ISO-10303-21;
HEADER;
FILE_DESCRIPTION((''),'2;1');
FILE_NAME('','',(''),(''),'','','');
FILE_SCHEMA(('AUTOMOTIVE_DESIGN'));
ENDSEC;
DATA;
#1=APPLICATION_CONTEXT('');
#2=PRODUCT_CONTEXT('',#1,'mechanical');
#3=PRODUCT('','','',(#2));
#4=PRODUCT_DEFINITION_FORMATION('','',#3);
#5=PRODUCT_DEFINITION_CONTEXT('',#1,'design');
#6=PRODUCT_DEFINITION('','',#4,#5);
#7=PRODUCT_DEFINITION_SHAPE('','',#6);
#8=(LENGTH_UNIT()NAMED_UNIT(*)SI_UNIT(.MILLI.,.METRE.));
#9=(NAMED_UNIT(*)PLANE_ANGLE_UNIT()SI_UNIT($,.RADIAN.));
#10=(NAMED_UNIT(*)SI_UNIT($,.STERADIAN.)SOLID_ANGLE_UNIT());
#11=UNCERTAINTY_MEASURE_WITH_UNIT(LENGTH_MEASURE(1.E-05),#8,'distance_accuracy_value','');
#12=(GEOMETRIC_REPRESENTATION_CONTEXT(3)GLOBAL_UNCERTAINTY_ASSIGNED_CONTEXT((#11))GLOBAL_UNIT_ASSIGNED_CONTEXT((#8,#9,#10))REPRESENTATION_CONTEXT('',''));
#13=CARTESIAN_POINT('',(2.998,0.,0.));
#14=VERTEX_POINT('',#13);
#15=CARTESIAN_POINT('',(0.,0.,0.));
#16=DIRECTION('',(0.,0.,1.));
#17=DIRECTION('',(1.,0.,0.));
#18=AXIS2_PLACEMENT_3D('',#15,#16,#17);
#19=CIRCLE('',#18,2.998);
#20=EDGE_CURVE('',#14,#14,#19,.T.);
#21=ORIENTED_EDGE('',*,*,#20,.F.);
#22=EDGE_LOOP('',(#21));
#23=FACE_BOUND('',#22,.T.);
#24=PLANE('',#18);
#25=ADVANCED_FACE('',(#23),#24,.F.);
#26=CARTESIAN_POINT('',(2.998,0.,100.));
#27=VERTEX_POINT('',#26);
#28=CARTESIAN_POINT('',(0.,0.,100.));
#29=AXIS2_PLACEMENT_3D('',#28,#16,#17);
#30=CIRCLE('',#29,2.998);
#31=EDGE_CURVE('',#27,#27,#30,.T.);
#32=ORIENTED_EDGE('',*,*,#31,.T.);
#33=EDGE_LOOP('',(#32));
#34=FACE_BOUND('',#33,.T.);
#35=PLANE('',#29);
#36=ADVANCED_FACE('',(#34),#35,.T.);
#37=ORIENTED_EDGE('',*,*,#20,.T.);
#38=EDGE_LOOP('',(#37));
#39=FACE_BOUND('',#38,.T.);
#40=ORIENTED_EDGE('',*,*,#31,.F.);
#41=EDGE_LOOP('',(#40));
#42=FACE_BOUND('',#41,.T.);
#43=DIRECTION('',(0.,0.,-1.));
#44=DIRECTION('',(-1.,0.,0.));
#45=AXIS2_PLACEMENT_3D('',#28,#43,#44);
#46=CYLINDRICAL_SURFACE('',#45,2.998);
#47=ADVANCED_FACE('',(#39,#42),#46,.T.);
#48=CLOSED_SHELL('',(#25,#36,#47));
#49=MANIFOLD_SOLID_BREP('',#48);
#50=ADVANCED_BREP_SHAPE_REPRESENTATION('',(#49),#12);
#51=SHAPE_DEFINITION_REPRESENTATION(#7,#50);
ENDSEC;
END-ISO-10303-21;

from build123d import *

# Parameters (mm, degrees)
SKETCH1_R           = 2.998
BOSS_EXTRUDE1_DEPTH = 100


with BuildPart() as part:
    # Sketch1 → Boss-Extrude1 (new body)
    with BuildSketch(Plane.XY):
        Circle(SKETCH1_R)
    extrude(amount=BOSS_EXTRUDE1_DEPTH)


solid = part.part
